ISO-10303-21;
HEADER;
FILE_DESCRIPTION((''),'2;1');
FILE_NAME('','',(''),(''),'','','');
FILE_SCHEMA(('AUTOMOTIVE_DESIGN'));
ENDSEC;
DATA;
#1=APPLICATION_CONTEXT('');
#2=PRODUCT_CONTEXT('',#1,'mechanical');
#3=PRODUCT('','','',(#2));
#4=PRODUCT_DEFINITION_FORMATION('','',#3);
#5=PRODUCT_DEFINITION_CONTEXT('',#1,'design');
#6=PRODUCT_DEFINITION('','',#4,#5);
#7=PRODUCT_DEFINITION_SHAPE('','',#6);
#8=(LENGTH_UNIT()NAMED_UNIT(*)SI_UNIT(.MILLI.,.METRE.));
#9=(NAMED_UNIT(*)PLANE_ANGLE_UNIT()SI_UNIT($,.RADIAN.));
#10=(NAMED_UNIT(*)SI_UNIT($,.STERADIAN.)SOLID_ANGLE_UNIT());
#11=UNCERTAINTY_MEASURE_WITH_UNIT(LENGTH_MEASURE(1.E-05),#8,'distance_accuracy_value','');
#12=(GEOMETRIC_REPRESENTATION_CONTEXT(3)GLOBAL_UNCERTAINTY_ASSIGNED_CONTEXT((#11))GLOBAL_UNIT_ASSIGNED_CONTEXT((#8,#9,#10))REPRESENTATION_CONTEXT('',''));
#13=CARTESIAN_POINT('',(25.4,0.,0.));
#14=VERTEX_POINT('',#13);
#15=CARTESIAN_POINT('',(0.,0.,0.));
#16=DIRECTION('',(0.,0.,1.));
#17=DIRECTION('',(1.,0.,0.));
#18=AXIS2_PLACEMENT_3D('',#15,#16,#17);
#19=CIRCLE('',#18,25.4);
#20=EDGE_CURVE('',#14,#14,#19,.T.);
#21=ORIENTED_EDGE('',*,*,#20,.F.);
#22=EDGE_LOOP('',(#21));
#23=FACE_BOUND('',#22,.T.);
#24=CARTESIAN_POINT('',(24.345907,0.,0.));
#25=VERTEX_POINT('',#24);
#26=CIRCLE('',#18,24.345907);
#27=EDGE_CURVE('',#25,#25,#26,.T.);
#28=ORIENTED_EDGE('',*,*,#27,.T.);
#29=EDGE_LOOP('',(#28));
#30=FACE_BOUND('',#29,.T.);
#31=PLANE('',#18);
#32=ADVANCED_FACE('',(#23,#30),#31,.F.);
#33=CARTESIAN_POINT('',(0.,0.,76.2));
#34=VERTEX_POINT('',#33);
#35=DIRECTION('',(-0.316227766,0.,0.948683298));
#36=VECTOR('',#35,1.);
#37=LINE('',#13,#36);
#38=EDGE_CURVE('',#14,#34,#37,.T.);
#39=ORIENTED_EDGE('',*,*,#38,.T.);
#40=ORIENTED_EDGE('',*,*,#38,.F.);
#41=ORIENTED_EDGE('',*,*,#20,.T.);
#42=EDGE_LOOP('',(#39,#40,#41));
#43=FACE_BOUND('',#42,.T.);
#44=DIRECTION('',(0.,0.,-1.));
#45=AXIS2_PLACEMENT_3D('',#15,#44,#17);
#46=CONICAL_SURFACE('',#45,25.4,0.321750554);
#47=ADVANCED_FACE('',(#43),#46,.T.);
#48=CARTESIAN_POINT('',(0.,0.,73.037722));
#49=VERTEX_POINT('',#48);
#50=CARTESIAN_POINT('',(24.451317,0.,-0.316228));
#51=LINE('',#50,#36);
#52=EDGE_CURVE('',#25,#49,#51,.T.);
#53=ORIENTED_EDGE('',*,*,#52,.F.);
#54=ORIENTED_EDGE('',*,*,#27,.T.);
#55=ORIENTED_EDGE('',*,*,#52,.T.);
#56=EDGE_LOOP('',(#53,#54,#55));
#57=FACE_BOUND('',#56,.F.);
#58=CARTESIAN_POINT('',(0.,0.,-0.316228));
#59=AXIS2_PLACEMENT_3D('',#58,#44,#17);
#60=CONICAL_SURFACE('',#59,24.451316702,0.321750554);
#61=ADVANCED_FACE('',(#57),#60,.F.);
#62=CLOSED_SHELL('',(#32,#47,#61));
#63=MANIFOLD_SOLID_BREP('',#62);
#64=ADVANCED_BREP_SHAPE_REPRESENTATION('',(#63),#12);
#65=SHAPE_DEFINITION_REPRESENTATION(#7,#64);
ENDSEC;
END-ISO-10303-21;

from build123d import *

# Parameters (mm, degrees)
F2_T = -1


with BuildPart() as f1:
    # F0 (on Front) → F1 (revolve)
    with BuildSketch(Plane.XZ):
        Polygon((0, 76.2), (0, 0), (25.4, 0), align=None)
    revolve(axis=Axis((0, 0, 38.1), (0, 0, 1)))

    # F2
    f2_openings = [f1.faces().sort_by_distance(p)[0] for p in [
        (0, 0, 0),
    ]]
    offset(amount=F2_T, openings=f2_openings)


solid = f1.part
